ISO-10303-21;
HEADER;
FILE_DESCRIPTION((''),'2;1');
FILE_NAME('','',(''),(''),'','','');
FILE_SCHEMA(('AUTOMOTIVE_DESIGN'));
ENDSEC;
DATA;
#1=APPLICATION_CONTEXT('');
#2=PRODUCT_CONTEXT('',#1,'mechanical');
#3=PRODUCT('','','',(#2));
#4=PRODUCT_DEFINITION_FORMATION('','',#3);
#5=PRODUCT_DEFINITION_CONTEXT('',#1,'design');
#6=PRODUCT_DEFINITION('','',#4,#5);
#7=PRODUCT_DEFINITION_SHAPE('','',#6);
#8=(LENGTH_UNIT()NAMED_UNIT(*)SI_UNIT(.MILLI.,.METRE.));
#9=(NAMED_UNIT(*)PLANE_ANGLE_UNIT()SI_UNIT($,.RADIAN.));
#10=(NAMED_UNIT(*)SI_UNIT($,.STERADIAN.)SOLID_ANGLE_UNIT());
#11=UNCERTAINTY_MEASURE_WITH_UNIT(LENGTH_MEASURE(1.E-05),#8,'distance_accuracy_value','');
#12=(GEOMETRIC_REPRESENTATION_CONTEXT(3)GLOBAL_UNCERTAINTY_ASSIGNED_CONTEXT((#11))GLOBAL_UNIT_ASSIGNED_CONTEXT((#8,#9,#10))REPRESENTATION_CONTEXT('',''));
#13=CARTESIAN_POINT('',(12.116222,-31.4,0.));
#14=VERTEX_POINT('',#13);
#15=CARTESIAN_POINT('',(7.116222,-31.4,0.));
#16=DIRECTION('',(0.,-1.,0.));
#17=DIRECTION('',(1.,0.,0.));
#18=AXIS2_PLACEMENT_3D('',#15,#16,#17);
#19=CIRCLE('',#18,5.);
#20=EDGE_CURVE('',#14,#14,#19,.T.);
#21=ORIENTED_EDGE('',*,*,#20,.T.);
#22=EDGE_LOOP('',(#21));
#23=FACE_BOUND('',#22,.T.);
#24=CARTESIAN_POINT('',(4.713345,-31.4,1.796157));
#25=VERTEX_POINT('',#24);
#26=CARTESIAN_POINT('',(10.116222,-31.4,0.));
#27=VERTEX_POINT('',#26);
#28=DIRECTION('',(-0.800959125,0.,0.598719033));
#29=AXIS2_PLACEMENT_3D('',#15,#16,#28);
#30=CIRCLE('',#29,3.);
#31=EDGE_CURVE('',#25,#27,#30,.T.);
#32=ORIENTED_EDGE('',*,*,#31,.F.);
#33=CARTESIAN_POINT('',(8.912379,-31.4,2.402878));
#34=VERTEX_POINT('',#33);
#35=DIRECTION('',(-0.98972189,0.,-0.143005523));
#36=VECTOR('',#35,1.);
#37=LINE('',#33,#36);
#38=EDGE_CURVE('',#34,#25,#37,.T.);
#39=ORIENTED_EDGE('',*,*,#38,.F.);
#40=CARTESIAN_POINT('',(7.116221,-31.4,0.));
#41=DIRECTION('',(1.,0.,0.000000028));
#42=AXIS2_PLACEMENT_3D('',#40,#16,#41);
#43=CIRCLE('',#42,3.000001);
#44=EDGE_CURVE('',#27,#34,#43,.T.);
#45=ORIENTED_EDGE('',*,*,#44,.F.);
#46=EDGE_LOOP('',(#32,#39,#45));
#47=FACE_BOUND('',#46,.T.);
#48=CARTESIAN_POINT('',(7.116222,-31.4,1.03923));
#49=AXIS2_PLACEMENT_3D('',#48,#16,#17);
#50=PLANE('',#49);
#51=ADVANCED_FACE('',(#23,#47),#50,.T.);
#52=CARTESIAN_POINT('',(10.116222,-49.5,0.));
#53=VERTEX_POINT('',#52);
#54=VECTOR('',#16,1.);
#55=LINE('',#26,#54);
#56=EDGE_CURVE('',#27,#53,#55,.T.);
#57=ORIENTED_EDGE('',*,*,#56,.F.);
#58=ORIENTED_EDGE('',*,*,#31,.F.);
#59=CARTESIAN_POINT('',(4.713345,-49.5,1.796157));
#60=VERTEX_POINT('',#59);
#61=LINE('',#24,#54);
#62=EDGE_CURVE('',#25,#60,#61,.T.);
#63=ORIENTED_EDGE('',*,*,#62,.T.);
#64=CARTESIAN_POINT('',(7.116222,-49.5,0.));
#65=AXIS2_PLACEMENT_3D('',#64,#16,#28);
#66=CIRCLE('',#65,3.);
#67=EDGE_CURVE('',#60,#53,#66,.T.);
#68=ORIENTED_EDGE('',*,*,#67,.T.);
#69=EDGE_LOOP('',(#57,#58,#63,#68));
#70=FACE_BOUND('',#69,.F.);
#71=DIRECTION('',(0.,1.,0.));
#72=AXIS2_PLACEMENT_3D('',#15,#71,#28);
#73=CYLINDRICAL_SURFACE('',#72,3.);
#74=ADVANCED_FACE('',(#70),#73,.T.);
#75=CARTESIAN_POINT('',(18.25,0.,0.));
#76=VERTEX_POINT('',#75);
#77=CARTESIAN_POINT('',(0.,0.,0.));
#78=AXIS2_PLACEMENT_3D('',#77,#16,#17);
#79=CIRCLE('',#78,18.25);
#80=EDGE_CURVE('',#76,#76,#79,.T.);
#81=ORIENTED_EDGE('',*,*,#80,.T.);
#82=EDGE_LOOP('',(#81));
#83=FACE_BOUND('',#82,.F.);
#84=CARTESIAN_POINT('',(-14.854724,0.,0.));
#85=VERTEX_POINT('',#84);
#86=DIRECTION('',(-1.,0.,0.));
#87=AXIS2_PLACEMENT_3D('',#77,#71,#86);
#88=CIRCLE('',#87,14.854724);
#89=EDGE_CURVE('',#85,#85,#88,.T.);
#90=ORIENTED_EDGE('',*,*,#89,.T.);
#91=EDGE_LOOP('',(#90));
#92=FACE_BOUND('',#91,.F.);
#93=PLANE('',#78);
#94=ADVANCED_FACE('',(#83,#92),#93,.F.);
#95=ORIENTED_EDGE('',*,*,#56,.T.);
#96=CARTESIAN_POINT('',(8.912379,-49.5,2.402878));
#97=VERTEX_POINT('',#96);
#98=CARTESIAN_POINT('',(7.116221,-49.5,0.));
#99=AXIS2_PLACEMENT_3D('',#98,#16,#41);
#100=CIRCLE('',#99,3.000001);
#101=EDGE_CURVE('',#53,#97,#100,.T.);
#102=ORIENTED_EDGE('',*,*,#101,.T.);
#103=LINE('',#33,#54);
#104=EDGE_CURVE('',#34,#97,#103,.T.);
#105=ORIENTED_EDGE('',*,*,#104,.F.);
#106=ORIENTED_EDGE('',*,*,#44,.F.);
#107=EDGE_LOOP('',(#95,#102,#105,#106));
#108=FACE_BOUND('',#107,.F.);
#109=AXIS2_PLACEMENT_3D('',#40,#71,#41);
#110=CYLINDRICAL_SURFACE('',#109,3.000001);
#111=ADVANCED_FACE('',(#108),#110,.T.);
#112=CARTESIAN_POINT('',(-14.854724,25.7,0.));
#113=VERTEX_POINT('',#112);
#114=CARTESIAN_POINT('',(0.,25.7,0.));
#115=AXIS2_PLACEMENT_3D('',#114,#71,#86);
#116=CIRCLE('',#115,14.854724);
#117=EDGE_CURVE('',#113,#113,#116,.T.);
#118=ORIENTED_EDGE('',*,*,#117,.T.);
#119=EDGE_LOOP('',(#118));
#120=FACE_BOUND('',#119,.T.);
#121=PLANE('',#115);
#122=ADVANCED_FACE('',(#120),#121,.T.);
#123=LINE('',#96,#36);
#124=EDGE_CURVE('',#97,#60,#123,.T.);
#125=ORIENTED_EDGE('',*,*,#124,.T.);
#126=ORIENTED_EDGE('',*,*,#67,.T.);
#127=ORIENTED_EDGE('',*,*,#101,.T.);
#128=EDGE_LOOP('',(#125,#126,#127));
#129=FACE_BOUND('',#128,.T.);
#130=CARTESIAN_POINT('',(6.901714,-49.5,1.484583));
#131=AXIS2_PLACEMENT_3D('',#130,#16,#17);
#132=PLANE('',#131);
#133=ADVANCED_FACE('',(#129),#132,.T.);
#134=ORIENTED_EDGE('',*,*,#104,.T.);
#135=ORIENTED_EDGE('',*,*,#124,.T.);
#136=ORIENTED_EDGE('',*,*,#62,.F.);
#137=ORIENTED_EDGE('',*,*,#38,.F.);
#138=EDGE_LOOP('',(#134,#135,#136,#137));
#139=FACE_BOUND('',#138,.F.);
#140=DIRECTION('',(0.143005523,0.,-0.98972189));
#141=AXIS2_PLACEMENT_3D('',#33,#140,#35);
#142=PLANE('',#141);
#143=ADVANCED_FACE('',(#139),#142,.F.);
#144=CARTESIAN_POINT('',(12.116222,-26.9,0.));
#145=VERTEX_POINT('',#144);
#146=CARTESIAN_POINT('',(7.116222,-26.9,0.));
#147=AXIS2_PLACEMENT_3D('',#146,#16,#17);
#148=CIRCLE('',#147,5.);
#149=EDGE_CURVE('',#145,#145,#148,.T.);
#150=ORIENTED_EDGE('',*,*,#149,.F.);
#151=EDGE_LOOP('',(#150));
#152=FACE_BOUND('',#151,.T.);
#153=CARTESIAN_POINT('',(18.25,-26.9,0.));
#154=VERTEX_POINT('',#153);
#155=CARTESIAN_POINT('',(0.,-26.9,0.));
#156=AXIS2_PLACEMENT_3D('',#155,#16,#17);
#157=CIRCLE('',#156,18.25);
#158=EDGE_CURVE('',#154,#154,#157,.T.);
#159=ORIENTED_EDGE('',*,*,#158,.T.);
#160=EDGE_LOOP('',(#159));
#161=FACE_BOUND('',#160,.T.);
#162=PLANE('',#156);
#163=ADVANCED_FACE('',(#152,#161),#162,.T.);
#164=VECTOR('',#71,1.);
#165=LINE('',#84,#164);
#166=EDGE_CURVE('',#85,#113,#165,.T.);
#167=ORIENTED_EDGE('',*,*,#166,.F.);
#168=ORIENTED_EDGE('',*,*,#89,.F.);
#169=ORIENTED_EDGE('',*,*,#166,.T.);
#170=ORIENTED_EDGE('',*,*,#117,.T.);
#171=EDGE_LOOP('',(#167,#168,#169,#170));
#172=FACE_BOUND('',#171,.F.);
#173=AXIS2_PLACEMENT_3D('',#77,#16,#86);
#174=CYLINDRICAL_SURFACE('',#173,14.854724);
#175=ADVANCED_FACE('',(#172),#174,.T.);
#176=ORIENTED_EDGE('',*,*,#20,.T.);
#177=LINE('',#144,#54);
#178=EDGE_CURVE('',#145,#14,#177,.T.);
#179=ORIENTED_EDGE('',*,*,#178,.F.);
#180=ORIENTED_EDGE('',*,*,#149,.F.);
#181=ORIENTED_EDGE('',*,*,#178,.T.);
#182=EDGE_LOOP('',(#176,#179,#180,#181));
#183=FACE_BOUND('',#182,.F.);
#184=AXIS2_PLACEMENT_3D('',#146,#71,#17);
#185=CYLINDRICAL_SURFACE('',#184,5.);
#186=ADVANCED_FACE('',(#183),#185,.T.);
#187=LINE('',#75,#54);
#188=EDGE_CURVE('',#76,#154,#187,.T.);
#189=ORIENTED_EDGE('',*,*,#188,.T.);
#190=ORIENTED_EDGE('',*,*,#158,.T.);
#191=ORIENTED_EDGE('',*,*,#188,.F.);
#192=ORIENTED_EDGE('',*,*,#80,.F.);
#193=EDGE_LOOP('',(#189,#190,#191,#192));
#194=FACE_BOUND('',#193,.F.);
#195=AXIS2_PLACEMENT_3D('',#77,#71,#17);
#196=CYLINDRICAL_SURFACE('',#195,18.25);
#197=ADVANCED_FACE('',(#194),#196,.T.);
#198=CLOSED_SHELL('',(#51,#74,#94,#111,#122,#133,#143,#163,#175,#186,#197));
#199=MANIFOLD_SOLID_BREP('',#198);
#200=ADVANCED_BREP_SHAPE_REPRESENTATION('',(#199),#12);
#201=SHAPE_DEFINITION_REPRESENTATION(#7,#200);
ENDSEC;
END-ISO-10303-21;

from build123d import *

# Parameters (mm, degrees)
F0_R     = 18.25
F1_DEPTH = 26.9
F4_DEPTH = 4.5
F6_DEPTH = 18.1
F7_R     = 14.854724
F8_DEPTH = 25.7


with BuildPart() as f1:
    # F0 (on Front) → F1 (new body)
    with BuildSketch(Plane.XZ):
        Circle(F0_R)
    extrude(amount=F1_DEPTH)

    # F3 (on face) → F4 (join)
    with BuildSketch(Plane.XZ.offset(26.9)):
        with BuildLine():
            ThreePointArc((10.116222, 0), (7.116222, 3), (4.116222, 0))
            Line((4.116222, 0), (10.116222, 0))
        make_face()
        with BuildLine():
            Line((10.116222, 0), (4.116222, 0))
            ThreePointArc((4.116222, 0), (7.116222, -3), (10.116222, 0))
        make_face()
        with BuildLine():
            Line((4.116222, 0), (2.116222, 0))
            ThreePointArc((2.116222, 0), (7.116222, -5), (12.116222, 0))
            Line((12.116222, 0), (10.116222, 0))
            ThreePointArc((10.116222, 0), (7.116222, -3), (4.116222, 0))
        make_face()
        with BuildLine():
            ThreePointArc((12.116222, 0), (7.116222, 5), (2.116222, 0))
            Line((2.116222, 0), (4.116222, 0))
            ThreePointArc((4.116222, 0), (7.116222, 3), (10.116222, 0))
            Line((10.116222, 0), (12.116222, 0))
        make_face()
    extrude(amount=F4_DEPTH)

    # F5 (on face) → F6 (join)
    with BuildSketch(Plane.XZ.offset(31.4)):
        Polygon((7.116222, 0), (8.912379, 2.402878), (4.713345, 1.796157), align=None)
        with BuildLine():
            ThreePointArc((4.713345, 1.796157), (6.169817, -2.846808), (10.116222, 0))
            ThreePointArc((10.116222, 0), (9.798429, 1.343788), (8.912379, 2.402878))
            Line((8.912379, 2.402878), (7.116222, 0))
            Line((7.116222, 0), (4.713345, 1.796157))
        make_face()
    extrude(amount=F6_DEPTH)

    # F7 (on face) → F8 (join)
    with BuildSketch(Plane(origin=(0, 0, 0), x_dir=(-1, 0, 0), z_dir=(0, 1, 0))):
        Circle(F7_R)
    extrude(amount=F8_DEPTH)


solid = f1.part
